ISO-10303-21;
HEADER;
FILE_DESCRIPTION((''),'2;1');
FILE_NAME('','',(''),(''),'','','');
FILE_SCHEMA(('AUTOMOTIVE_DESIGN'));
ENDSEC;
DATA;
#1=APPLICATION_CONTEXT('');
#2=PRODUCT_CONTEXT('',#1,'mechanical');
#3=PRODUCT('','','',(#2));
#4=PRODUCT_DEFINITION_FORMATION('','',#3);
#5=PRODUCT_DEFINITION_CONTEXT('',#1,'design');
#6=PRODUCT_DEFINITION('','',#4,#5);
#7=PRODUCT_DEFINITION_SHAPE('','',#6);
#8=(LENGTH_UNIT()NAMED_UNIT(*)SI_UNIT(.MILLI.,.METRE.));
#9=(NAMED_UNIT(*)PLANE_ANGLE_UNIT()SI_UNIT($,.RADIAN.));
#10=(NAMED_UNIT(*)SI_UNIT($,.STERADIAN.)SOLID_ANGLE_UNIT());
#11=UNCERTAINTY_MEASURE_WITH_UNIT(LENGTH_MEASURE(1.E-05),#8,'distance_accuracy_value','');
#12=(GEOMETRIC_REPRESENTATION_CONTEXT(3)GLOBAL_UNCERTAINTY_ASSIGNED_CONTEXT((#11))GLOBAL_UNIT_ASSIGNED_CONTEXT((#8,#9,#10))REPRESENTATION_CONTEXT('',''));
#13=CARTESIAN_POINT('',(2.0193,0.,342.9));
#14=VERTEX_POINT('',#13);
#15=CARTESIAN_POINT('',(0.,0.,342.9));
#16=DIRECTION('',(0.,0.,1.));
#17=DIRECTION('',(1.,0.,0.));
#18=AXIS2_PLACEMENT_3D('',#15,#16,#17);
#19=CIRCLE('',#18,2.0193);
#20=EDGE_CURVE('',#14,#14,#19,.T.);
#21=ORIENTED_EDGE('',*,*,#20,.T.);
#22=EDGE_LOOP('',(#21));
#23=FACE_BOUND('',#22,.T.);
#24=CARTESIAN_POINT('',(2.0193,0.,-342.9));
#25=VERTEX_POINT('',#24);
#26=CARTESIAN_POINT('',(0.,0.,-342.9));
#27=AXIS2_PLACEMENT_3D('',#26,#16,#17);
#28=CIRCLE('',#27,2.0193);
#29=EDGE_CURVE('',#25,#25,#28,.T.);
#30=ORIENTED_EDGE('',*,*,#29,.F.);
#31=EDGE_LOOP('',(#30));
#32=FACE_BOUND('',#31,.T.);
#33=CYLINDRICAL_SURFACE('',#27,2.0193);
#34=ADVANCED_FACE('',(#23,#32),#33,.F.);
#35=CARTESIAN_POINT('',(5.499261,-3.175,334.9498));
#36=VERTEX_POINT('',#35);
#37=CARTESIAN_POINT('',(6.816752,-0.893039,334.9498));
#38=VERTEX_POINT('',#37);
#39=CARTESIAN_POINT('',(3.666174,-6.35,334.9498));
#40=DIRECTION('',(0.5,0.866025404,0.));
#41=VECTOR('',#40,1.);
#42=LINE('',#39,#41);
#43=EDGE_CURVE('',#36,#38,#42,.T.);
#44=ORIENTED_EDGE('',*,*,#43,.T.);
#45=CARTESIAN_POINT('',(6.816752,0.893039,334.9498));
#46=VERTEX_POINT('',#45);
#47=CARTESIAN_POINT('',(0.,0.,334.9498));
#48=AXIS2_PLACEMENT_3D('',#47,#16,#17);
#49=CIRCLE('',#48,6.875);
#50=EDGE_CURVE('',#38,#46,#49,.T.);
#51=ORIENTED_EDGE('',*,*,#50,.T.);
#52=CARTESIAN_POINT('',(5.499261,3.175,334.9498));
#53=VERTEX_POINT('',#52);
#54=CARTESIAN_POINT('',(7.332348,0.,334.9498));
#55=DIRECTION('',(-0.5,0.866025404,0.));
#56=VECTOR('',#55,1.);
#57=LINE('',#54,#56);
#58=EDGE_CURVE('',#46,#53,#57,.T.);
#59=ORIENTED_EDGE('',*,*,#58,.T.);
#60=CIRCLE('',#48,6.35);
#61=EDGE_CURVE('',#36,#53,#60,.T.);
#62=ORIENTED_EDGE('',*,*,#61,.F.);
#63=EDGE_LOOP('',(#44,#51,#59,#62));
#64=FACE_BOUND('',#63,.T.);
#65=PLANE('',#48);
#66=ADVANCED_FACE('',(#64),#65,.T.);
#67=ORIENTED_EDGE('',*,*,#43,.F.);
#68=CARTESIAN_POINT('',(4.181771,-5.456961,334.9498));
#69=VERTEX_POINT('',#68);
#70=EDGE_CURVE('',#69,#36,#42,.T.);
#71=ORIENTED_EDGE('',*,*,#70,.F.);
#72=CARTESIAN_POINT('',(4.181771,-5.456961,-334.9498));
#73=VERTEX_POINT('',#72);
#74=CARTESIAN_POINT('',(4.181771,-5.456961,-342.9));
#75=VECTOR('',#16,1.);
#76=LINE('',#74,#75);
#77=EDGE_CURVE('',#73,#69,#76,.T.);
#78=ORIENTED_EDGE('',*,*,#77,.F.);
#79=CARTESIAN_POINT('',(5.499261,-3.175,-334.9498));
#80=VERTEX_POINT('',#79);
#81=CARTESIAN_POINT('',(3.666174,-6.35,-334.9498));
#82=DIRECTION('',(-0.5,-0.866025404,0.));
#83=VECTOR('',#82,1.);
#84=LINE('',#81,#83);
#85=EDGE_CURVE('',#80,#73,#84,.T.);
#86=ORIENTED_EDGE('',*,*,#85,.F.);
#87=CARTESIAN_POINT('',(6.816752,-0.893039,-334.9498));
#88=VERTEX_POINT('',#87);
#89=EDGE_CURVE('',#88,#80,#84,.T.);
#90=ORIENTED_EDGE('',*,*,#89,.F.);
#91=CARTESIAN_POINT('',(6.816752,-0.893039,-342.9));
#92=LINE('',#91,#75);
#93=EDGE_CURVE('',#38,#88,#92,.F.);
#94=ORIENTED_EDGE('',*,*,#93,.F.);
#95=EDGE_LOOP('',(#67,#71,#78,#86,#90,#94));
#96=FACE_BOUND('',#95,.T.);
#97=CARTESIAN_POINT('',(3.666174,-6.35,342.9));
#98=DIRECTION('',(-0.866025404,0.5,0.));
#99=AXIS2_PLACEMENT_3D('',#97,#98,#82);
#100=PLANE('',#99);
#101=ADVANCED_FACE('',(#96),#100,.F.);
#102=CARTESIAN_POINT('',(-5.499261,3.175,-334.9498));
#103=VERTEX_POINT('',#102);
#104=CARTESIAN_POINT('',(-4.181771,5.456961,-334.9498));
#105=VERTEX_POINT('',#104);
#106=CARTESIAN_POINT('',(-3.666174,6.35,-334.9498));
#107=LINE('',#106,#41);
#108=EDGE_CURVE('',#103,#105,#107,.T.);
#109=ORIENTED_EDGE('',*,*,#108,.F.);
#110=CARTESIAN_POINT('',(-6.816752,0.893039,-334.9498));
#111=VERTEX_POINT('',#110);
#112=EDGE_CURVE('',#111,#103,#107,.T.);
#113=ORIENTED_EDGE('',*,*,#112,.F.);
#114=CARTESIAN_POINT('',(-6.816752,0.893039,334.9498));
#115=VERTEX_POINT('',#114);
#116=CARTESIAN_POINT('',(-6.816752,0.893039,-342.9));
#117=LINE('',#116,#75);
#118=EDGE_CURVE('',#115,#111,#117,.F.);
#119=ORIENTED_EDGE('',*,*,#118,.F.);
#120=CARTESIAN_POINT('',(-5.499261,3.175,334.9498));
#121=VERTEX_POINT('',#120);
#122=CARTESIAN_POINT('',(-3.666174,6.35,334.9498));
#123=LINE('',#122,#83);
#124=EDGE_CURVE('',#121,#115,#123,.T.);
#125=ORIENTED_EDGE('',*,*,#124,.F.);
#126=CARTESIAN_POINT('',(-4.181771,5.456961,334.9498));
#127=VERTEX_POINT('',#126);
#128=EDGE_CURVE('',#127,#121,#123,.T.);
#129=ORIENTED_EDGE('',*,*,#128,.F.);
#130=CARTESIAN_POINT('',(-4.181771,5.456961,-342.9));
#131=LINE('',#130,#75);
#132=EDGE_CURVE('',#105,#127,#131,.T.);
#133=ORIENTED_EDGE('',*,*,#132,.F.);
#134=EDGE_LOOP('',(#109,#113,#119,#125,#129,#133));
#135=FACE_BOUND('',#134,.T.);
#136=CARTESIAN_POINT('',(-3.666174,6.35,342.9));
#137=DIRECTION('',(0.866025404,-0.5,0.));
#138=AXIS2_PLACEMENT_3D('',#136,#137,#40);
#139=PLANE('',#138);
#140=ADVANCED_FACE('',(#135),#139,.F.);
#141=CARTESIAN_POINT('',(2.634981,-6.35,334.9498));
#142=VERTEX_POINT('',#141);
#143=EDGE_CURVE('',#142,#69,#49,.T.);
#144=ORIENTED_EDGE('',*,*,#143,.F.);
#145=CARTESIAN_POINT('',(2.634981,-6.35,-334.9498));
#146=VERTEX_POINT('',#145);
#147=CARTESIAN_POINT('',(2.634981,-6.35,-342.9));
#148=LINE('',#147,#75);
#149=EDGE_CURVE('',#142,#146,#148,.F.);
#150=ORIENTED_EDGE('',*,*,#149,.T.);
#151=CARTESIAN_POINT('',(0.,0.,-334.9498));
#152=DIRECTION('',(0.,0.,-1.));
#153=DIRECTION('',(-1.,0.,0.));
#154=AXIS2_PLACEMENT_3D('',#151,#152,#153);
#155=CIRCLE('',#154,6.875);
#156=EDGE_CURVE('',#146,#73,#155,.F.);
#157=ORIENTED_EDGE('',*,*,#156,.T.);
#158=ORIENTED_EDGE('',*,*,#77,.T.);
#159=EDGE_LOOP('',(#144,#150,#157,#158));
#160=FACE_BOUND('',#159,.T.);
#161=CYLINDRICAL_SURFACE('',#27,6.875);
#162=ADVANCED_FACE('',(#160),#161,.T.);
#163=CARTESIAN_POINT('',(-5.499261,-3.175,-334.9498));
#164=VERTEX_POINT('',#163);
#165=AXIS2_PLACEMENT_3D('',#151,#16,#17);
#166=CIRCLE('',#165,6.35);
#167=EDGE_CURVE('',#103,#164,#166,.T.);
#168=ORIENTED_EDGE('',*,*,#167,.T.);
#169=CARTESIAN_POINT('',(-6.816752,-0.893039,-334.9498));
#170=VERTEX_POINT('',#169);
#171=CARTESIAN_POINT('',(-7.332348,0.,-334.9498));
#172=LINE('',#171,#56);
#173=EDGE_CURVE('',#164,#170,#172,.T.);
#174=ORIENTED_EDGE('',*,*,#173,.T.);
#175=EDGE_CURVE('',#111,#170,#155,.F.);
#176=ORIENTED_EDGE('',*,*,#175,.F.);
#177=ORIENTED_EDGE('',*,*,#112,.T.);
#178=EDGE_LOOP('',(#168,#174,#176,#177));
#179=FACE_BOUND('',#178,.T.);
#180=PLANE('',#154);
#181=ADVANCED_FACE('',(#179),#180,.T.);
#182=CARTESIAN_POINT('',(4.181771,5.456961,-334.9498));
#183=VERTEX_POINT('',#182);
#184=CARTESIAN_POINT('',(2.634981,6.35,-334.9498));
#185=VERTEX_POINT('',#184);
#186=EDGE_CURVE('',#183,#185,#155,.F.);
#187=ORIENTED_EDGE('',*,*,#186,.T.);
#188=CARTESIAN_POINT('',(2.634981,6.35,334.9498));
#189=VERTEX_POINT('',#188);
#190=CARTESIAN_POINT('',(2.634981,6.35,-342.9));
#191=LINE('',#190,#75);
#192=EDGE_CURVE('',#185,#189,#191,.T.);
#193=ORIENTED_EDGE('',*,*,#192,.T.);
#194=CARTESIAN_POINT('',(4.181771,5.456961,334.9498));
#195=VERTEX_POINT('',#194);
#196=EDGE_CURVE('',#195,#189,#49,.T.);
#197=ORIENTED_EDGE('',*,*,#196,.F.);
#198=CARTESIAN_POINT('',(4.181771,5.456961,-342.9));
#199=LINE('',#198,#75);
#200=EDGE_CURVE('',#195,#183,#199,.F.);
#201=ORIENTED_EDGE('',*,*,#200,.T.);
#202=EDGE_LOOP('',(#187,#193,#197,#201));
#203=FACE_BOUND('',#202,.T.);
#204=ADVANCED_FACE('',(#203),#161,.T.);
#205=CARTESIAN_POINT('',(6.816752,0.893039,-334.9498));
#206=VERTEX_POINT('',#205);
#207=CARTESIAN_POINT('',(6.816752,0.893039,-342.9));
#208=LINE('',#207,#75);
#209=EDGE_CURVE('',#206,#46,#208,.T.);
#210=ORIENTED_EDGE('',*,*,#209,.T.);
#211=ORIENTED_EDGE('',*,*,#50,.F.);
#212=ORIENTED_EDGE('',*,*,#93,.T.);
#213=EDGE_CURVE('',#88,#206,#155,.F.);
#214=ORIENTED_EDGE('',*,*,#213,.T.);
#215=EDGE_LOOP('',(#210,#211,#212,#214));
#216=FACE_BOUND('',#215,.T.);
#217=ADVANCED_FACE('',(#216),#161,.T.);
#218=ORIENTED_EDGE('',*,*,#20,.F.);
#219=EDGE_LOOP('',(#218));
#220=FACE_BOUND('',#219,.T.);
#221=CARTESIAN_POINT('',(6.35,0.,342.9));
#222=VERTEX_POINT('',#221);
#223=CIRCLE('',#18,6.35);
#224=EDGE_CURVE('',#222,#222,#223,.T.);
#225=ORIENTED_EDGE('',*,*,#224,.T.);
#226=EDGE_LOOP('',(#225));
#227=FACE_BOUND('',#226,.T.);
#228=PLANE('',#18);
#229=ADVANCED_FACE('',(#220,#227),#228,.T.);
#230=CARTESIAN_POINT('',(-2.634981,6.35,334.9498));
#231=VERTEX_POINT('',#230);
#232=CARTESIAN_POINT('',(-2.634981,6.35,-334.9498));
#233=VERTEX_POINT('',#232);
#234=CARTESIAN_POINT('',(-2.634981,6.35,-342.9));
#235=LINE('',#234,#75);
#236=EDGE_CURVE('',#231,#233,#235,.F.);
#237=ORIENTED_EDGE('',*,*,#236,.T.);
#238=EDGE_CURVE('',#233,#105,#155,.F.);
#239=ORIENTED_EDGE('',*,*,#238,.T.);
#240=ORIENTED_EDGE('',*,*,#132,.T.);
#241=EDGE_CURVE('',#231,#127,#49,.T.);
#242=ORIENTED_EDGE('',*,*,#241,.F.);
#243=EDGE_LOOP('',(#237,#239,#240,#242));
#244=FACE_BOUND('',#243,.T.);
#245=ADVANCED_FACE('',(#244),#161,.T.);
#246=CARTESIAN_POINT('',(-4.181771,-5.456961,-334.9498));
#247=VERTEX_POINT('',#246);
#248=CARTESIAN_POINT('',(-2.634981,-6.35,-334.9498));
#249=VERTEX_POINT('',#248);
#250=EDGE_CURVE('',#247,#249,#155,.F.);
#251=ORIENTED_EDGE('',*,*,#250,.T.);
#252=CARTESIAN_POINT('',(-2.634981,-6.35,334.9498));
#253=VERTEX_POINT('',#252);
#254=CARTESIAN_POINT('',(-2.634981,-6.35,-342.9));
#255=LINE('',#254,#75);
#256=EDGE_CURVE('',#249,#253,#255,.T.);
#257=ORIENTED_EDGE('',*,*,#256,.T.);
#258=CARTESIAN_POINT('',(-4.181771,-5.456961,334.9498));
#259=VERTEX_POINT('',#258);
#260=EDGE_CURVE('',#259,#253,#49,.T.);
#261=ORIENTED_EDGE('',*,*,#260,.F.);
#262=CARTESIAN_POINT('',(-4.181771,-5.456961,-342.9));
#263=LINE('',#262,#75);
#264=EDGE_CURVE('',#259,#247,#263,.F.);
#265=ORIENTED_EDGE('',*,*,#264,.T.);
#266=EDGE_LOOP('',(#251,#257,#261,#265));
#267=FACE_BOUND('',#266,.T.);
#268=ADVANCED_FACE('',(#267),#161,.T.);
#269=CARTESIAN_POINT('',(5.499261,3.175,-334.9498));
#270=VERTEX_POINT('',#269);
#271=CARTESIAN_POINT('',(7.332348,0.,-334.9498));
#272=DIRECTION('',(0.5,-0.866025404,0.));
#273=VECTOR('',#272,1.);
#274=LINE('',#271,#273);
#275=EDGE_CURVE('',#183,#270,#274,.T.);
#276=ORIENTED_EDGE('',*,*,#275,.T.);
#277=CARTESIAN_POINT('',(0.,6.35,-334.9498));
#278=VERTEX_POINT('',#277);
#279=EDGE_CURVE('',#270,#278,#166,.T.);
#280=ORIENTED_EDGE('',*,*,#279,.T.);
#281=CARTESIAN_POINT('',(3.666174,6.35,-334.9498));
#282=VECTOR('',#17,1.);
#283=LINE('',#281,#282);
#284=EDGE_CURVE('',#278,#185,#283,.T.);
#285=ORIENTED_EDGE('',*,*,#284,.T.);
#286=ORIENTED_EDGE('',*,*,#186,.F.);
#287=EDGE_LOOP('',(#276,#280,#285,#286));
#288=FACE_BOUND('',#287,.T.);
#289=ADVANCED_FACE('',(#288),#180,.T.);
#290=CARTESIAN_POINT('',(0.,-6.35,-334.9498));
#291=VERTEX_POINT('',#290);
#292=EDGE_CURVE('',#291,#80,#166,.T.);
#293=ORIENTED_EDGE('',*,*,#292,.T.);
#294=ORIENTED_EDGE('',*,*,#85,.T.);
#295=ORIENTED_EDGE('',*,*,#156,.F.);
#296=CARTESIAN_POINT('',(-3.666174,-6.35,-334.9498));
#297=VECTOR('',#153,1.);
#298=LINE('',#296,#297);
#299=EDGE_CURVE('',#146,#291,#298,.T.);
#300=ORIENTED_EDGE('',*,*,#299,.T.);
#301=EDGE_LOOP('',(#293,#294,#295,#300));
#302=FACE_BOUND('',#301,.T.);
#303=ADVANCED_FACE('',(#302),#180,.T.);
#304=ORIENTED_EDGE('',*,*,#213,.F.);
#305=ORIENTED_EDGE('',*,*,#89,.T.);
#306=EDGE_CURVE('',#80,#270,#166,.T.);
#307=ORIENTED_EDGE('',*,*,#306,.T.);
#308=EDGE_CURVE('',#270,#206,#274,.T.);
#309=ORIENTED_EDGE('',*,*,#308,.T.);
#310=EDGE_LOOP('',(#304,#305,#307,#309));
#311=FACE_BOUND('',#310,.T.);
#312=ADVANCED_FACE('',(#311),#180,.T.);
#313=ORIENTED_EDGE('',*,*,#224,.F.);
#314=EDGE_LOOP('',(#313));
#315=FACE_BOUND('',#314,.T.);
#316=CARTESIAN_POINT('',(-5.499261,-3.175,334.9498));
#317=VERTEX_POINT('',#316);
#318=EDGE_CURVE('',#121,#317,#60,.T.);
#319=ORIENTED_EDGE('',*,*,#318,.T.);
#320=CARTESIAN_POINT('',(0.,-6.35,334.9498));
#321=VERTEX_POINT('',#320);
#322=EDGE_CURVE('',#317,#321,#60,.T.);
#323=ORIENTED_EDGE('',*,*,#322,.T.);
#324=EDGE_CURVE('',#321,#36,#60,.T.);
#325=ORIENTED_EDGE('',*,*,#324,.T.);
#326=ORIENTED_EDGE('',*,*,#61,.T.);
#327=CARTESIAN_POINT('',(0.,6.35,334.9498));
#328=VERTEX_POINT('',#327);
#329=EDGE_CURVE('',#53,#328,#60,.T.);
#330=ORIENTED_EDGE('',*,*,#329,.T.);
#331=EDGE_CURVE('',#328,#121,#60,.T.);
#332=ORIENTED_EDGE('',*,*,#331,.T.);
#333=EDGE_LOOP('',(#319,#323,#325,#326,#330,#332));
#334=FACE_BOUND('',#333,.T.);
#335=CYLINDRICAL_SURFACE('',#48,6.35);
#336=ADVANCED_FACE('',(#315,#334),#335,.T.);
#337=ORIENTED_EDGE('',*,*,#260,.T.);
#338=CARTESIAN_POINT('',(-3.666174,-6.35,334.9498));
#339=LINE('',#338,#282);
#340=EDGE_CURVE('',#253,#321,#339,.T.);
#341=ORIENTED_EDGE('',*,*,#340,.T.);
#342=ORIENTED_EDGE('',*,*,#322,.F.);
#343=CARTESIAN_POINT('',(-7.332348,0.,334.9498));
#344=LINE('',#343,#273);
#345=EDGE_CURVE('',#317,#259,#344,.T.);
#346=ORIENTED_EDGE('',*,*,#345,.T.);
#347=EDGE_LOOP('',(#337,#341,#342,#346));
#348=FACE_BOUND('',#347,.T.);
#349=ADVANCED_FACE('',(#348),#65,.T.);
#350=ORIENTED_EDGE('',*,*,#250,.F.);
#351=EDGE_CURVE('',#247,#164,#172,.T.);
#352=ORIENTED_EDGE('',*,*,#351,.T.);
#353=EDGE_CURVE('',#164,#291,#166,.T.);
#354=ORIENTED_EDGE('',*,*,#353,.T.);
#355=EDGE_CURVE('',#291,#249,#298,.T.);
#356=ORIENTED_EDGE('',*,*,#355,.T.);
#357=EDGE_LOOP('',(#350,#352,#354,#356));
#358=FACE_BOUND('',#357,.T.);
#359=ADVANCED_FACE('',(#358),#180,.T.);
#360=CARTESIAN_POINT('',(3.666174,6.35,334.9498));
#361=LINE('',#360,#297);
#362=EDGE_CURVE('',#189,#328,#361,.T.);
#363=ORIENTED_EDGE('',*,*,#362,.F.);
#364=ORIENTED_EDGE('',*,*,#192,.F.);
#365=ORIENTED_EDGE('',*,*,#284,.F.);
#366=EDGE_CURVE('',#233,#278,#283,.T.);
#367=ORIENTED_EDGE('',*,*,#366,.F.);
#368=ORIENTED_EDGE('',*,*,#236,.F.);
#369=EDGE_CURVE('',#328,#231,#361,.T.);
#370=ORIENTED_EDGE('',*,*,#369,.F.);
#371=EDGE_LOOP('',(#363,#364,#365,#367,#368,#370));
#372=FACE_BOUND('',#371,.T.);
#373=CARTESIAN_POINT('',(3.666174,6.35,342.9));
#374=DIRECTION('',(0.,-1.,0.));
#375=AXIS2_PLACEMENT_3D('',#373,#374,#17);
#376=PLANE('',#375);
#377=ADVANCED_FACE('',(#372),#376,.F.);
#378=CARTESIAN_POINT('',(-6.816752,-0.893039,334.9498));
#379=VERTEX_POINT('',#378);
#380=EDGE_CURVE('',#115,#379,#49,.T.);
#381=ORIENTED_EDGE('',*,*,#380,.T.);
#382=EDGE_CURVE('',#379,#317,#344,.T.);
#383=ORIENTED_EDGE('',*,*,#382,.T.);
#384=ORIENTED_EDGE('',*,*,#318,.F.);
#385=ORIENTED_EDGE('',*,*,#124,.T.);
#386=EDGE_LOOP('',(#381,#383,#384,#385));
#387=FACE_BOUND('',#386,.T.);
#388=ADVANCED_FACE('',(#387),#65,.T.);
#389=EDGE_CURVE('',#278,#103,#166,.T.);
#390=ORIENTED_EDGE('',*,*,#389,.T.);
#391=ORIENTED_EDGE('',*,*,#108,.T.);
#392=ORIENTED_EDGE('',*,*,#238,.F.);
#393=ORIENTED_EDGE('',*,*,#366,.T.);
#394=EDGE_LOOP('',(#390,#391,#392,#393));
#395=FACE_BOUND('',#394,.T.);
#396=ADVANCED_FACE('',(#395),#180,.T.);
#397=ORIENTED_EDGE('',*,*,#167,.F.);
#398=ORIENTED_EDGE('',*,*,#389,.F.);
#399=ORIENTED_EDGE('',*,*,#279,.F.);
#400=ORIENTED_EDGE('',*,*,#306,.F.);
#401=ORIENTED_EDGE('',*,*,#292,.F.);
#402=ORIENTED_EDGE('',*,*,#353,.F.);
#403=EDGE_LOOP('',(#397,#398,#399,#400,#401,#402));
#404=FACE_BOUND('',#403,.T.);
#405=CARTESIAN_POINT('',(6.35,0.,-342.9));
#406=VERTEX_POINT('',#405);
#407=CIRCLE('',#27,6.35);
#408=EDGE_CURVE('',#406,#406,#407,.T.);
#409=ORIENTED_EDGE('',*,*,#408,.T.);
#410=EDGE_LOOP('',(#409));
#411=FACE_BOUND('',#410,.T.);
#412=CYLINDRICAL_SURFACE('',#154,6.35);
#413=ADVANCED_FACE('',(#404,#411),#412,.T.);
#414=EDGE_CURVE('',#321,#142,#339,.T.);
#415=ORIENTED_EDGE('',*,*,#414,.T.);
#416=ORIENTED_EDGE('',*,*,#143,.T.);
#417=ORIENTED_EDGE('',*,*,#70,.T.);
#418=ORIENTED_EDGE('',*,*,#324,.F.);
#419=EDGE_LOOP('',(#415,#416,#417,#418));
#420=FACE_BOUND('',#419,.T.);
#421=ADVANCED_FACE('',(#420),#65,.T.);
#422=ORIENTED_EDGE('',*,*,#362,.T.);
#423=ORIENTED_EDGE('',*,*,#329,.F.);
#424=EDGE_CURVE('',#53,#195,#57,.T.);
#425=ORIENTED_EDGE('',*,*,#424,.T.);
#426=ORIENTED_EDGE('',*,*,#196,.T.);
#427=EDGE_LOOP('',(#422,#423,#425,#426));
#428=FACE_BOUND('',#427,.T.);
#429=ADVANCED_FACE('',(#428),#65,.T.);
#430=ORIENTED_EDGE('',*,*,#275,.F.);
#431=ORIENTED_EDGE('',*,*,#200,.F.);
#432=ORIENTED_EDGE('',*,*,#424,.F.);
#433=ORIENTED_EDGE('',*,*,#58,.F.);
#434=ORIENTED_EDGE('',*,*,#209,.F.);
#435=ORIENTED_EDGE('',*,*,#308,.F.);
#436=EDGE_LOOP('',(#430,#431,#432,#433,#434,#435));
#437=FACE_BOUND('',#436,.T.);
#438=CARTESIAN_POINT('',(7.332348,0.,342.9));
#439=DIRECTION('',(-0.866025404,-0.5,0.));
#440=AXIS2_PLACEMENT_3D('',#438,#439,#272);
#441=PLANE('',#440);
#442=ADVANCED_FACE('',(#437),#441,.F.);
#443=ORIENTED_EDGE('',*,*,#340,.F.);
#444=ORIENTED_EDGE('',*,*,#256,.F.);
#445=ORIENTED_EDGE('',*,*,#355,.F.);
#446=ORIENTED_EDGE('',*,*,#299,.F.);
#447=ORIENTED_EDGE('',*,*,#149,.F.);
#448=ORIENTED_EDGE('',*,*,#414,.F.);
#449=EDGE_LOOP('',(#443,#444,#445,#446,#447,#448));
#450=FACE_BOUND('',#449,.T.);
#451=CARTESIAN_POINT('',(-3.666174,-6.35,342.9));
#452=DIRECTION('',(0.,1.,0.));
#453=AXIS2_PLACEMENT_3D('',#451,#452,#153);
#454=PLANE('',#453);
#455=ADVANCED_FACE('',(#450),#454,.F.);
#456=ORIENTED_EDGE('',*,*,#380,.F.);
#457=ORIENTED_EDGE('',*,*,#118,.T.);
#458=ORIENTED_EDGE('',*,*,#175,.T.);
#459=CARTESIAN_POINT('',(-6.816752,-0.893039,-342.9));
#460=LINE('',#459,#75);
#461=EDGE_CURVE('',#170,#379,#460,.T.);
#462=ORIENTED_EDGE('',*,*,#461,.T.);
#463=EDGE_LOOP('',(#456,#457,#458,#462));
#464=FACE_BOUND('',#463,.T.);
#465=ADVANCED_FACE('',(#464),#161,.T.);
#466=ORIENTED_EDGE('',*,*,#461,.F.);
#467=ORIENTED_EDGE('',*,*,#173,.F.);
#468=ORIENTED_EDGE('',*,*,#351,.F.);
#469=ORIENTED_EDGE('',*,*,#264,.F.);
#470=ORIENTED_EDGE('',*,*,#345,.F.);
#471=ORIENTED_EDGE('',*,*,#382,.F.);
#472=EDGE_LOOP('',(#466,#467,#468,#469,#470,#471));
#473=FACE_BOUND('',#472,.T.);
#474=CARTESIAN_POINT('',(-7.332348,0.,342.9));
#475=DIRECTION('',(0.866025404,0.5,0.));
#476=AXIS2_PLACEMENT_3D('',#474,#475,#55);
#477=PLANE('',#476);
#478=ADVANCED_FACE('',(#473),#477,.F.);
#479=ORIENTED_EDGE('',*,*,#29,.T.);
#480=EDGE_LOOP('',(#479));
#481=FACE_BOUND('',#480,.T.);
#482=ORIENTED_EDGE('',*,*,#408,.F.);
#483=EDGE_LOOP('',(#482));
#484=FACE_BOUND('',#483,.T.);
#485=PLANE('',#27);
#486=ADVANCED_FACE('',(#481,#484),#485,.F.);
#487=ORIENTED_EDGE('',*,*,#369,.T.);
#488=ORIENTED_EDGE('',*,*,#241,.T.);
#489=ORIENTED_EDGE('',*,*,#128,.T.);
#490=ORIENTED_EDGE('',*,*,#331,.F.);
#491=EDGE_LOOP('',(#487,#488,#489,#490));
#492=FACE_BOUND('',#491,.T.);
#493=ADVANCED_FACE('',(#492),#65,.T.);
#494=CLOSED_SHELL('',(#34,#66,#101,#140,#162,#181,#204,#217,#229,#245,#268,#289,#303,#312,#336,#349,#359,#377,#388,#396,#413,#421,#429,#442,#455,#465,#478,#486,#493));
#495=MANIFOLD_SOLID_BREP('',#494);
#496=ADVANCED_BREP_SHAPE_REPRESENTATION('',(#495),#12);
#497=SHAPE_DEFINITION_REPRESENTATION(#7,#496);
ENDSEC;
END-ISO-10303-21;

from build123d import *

# Parameters (mm, degrees)
BOSS_EXTRUDE1_DEPTH = 342.9
SKETCH2_OUTSIDE_W   = 153.878
SKETCH2_OUTSIDE_H   = 151.914
SKETCH2_OUTSIDE_R   = 6.35
CUT_EXTRUDE2_DEPTH  = 7.9502
SKETCH3_OUTSIDE_W   = 153.878
SKETCH3_OUTSIDE_H   = 151.914
SKETCH3_OUTSIDE_R   = 6.875
CUT_EXTRUDE4_DEPTH  = 686.868592249
SKETCH4_R           = 2.0193
CUT_EXTRUDE5_DEPTH  = 686.863855386


with BuildPart() as part:
    # Sketch1 → Boss-Extrude1 (new, symmetric)
    with BuildSketch(Plane.XY):
        Polygon((7.332348419, 0), (3.666174209, 6.35), (-3.666174209, 6.35), (-7.332348419, 0), (-3.666174209, -6.35), (3.666174209, -6.35), align=None)
    extrude(amount=BOSS_EXTRUDE1_DEPTH, both=True)

    # Sketch2 outside → Cut-Extrude2 (cut)
    with BuildSketch(Plane.XY.offset(342.9)):
        Rectangle(SKETCH2_OUTSIDE_W, SKETCH2_OUTSIDE_H)
        Circle(SKETCH2_OUTSIDE_R, mode=Mode.SUBTRACT)
    cut_extrude2 = extrude(amount=-CUT_EXTRUDE2_DEPTH, mode=Mode.SUBTRACT)

    # Sketch3 outside → Cut-Extrude4 (cut, through all)
    with BuildSketch(Plane.XY.offset(342.9)):
        Rectangle(SKETCH3_OUTSIDE_W, SKETCH3_OUTSIDE_H)
        Circle(SKETCH3_OUTSIDE_R, mode=Mode.SUBTRACT)
    extrude(amount=-CUT_EXTRUDE4_DEPTH, mode=Mode.SUBTRACT)

    # Mirror1: Cut-Extrude2 across plane
    add(cut_extrude2.mirror(Plane.XY), mode=Mode.SUBTRACT)

    # Sketch4 → Cut-Extrude5 (cut, through all)
    with BuildSketch(Plane.XY.offset(342.9)):
        Circle(SKETCH4_R)
    extrude(amount=-CUT_EXTRUDE5_DEPTH, mode=Mode.SUBTRACT)


solid = part.part
